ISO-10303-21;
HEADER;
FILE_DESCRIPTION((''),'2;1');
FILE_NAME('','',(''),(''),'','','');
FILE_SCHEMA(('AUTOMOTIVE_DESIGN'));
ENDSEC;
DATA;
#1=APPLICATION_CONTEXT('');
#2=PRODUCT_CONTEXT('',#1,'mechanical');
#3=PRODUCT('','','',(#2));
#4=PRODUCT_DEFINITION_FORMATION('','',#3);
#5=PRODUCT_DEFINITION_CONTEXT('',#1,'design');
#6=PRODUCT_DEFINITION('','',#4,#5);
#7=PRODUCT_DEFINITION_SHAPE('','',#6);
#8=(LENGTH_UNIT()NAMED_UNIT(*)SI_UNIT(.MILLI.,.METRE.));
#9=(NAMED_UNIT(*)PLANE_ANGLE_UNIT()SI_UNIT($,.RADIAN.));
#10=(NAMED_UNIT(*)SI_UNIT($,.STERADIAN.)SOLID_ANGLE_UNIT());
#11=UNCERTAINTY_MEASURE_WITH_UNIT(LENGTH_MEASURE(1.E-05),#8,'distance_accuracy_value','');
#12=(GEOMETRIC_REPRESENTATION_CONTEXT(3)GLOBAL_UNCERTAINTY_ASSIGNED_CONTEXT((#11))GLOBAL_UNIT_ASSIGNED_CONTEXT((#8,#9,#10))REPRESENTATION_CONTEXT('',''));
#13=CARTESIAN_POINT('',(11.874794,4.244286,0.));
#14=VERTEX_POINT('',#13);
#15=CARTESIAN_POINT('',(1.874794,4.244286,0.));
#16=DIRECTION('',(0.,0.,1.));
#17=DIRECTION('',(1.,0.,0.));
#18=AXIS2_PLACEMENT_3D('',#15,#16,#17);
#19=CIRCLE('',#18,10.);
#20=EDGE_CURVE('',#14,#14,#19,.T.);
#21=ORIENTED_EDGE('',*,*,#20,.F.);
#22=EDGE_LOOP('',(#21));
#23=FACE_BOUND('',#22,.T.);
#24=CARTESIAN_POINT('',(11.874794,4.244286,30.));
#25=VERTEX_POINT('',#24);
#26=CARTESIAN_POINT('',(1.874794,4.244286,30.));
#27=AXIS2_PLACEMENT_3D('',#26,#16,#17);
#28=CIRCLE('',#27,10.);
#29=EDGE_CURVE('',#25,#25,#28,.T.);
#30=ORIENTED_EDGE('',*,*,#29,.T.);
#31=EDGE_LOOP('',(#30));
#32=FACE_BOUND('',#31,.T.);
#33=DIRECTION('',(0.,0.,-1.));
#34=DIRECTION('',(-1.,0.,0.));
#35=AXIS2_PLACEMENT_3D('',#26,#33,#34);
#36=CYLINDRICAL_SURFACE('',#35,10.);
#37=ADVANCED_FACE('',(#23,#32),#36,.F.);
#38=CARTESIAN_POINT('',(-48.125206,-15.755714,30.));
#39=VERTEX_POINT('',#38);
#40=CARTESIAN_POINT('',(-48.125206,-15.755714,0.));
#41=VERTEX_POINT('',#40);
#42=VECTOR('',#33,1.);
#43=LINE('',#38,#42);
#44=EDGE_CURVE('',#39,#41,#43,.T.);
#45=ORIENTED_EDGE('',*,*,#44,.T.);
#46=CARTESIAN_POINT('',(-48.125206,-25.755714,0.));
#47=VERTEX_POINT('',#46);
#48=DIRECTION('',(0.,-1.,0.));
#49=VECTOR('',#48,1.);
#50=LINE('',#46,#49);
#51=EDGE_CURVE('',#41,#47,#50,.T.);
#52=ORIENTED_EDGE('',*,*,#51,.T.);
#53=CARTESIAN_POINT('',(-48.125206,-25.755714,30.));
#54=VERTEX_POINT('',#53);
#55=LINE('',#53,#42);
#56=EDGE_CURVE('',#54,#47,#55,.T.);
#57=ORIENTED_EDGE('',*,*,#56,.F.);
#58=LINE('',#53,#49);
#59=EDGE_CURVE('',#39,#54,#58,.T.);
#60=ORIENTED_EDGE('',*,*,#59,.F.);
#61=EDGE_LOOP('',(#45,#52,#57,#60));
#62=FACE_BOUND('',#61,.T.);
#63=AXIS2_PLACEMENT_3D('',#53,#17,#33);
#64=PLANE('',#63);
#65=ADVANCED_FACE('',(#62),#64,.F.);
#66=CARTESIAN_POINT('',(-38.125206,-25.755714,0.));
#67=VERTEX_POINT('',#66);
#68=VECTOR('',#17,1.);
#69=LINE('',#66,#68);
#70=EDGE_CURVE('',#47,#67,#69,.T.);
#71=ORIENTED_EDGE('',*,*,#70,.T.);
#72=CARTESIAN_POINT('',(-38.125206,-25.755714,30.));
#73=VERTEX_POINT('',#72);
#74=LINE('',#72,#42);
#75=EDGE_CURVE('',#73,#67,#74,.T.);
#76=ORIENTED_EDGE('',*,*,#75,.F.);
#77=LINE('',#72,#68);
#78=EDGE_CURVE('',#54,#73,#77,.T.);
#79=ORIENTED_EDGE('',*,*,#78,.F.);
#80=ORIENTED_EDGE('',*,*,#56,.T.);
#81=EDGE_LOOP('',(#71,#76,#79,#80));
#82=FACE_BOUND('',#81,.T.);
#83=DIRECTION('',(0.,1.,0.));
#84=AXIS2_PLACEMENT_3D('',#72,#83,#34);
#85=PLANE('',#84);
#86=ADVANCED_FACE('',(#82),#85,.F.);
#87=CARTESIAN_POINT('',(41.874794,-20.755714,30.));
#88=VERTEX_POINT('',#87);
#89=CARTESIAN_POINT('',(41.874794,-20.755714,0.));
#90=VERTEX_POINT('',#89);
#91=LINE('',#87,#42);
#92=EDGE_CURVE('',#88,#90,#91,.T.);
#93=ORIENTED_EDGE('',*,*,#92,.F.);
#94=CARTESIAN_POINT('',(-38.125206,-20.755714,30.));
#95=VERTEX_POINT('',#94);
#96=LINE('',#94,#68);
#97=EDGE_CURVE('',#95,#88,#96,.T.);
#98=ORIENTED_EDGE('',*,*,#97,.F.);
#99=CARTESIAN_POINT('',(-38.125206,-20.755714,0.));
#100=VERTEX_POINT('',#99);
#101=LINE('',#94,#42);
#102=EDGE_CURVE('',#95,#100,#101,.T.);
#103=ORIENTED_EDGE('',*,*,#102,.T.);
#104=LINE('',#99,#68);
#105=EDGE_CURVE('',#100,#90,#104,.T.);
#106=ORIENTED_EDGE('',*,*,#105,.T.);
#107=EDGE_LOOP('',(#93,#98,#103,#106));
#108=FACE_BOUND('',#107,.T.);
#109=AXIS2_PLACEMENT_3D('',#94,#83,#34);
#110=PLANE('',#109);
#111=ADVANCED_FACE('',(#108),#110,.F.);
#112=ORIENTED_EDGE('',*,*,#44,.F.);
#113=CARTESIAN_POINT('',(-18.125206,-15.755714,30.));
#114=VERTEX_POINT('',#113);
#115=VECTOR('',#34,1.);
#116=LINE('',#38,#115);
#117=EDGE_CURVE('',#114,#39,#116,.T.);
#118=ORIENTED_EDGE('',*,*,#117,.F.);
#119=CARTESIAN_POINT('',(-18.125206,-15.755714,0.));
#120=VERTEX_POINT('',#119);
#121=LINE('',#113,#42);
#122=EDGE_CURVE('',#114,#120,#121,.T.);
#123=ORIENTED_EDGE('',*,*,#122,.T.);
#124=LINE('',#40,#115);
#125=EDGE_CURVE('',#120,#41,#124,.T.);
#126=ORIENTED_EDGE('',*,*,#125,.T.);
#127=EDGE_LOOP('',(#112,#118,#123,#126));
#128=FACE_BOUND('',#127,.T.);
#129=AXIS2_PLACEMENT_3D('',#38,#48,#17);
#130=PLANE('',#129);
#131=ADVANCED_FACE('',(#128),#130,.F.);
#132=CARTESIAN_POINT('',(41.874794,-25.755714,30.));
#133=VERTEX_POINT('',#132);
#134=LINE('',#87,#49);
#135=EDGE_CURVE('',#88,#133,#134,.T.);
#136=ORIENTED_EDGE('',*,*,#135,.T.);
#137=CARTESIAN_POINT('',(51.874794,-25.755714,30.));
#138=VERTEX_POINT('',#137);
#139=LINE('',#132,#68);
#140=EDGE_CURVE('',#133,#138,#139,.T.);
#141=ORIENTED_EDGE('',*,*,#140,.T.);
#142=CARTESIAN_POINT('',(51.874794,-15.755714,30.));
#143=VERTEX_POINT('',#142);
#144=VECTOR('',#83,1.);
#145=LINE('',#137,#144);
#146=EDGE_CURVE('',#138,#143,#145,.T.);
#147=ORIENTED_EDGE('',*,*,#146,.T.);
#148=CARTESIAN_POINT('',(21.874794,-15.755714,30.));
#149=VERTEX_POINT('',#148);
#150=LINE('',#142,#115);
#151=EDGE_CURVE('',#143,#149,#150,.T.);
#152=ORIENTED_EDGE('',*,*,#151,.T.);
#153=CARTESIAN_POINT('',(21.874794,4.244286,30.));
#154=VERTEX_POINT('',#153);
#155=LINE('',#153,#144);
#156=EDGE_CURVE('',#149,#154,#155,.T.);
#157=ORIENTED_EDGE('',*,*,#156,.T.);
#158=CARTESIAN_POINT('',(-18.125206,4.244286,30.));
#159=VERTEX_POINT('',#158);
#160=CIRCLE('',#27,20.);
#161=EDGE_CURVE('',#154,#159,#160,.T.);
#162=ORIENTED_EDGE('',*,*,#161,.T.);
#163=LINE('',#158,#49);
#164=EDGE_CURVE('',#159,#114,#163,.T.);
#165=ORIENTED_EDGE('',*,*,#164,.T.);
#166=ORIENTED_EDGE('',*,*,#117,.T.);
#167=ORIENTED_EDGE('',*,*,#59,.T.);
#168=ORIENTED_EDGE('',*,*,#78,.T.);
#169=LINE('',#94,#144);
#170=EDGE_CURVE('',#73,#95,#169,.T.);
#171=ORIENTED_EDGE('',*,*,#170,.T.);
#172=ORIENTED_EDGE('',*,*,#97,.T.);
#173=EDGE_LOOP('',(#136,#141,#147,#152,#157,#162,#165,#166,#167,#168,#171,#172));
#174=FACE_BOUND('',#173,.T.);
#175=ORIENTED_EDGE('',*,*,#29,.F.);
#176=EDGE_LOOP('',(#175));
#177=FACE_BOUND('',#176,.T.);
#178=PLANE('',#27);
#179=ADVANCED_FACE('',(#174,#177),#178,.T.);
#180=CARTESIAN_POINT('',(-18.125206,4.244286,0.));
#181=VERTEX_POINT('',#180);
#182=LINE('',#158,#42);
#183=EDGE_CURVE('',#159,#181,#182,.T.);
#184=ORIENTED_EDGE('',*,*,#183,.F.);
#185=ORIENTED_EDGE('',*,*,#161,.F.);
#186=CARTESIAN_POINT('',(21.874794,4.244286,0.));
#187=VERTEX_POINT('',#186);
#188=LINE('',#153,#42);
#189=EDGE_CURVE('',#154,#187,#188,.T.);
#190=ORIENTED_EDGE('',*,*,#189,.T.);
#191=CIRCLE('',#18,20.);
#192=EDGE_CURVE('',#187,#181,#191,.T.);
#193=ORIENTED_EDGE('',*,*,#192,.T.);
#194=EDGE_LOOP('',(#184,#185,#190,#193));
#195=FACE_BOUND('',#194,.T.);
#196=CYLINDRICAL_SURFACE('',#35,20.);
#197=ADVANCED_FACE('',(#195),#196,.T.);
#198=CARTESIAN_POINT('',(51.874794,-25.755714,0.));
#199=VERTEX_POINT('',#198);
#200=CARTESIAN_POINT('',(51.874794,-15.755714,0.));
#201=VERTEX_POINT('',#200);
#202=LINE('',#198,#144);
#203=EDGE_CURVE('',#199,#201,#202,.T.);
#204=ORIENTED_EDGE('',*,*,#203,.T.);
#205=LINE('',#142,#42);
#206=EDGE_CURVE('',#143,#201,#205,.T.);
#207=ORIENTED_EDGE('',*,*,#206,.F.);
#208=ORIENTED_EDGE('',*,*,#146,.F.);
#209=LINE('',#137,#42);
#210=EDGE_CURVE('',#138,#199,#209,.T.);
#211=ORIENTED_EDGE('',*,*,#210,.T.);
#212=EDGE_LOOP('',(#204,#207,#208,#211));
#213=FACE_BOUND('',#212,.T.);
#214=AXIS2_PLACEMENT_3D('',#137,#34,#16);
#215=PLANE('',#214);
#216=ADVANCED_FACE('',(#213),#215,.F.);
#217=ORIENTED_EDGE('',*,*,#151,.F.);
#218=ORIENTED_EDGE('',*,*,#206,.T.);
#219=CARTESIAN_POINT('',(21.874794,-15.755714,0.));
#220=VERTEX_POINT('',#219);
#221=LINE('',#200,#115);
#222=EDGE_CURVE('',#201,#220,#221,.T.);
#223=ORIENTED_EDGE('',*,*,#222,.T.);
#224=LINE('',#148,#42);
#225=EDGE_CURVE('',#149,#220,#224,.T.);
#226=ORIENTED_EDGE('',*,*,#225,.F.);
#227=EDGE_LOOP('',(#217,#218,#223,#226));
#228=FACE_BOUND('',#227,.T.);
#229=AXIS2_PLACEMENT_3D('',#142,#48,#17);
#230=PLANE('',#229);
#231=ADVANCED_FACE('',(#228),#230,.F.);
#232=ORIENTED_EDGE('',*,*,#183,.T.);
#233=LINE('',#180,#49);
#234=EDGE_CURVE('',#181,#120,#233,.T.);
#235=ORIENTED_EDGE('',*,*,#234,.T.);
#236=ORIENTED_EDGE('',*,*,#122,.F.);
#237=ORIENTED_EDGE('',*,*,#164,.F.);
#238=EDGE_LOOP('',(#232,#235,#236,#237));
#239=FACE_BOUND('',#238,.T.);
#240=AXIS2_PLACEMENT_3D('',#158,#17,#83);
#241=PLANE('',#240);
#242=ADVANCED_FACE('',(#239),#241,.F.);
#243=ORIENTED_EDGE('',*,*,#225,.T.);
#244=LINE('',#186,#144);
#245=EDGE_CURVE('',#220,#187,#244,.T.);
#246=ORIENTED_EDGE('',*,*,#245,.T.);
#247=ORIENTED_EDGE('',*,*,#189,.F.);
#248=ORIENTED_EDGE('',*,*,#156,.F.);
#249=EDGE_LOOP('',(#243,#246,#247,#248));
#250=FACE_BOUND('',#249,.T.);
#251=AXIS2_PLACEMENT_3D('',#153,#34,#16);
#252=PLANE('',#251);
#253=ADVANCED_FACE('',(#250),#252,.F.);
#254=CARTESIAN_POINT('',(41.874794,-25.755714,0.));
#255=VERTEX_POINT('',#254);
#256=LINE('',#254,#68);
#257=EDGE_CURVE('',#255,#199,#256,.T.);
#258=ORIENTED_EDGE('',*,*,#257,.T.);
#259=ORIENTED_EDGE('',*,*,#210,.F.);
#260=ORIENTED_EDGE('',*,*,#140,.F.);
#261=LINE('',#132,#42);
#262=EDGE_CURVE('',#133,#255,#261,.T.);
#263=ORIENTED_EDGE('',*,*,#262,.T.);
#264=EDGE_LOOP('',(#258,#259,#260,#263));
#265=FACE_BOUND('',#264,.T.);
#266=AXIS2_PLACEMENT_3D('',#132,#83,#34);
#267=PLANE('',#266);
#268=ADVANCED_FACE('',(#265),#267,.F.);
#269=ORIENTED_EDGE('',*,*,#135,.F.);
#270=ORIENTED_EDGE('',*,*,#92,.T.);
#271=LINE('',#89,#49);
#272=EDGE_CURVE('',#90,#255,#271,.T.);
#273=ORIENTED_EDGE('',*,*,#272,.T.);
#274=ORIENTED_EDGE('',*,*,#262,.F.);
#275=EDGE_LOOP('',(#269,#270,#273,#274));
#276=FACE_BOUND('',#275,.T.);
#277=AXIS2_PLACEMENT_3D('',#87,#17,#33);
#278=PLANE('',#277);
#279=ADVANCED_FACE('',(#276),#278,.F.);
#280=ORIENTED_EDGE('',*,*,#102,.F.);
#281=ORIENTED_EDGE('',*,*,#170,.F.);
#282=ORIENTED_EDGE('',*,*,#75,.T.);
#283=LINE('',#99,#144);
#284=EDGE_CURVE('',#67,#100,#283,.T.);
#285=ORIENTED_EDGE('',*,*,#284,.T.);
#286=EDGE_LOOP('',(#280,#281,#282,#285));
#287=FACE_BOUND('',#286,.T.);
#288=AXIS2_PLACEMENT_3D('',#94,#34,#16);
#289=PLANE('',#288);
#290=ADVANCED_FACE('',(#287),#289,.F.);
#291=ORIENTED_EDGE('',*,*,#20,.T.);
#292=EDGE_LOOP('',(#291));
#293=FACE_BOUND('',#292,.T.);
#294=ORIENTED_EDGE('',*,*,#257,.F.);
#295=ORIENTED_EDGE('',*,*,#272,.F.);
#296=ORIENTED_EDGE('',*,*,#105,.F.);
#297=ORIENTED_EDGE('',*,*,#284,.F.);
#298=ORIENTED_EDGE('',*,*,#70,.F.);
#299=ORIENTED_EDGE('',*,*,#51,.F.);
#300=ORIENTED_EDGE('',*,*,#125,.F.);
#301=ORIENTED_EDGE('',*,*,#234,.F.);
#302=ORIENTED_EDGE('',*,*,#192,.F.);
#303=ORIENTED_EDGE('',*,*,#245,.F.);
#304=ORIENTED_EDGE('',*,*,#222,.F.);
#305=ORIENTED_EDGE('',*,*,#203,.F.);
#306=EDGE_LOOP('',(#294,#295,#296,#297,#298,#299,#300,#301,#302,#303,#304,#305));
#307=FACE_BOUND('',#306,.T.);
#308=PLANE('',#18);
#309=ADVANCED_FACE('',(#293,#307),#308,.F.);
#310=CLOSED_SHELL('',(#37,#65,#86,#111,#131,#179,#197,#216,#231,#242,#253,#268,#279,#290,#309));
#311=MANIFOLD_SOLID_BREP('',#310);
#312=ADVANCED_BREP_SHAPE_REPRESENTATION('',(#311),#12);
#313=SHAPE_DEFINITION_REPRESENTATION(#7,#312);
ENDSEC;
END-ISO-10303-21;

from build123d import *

# Parameters (mm, degrees)
SKETCH1_R           = 10
BOSS_EXTRUDE1_DEPTH = 30


with BuildPart() as part:
    # Sketch1 → Boss-Extrude1 (new body)
    with BuildSketch(Plane.XY):
        with BuildLine():
            Line((-38.125206472, -20.755714087), (41.874793528, -20.755714087))
            Line((41.874793528, -20.755714087), (41.874793528, -25.755714087))
            Line((41.874793528, -25.755714087), (51.874793528, -25.755714087))
            Line((51.874793528, -25.755714087), (51.874793528, -15.755714087))
            Line((51.874793528, -15.755714087), (21.874793528, -15.755714087))
            Line((21.874793528, -15.755714087), (21.874793528, 4.244285913))
            ThreePointArc((21.874793528, 4.244285913), (1.874793528, 24.244285913), (-18.125206472, 4.244285913))
            Line((-18.125206472, 4.244285913), (-18.125206472, -15.755714087))
            Line((-18.125206472, -15.755714087), (-48.125206472, -15.755714087))
            Line((-48.125206472, -15.755714087), (-48.125206472, -25.755714087))
            Line((-48.125206472, -25.755714087), (-38.125206472, -25.755714087))
            Line((-38.125206472, -25.755714087), (-38.125206472, -20.755714087))
        make_face()
        with Locations((1.874793528, 4.244285913)):
            Circle(SKETCH1_R, mode=Mode.SUBTRACT)
    extrude(amount=BOSS_EXTRUDE1_DEPTH)


solid = part.part
